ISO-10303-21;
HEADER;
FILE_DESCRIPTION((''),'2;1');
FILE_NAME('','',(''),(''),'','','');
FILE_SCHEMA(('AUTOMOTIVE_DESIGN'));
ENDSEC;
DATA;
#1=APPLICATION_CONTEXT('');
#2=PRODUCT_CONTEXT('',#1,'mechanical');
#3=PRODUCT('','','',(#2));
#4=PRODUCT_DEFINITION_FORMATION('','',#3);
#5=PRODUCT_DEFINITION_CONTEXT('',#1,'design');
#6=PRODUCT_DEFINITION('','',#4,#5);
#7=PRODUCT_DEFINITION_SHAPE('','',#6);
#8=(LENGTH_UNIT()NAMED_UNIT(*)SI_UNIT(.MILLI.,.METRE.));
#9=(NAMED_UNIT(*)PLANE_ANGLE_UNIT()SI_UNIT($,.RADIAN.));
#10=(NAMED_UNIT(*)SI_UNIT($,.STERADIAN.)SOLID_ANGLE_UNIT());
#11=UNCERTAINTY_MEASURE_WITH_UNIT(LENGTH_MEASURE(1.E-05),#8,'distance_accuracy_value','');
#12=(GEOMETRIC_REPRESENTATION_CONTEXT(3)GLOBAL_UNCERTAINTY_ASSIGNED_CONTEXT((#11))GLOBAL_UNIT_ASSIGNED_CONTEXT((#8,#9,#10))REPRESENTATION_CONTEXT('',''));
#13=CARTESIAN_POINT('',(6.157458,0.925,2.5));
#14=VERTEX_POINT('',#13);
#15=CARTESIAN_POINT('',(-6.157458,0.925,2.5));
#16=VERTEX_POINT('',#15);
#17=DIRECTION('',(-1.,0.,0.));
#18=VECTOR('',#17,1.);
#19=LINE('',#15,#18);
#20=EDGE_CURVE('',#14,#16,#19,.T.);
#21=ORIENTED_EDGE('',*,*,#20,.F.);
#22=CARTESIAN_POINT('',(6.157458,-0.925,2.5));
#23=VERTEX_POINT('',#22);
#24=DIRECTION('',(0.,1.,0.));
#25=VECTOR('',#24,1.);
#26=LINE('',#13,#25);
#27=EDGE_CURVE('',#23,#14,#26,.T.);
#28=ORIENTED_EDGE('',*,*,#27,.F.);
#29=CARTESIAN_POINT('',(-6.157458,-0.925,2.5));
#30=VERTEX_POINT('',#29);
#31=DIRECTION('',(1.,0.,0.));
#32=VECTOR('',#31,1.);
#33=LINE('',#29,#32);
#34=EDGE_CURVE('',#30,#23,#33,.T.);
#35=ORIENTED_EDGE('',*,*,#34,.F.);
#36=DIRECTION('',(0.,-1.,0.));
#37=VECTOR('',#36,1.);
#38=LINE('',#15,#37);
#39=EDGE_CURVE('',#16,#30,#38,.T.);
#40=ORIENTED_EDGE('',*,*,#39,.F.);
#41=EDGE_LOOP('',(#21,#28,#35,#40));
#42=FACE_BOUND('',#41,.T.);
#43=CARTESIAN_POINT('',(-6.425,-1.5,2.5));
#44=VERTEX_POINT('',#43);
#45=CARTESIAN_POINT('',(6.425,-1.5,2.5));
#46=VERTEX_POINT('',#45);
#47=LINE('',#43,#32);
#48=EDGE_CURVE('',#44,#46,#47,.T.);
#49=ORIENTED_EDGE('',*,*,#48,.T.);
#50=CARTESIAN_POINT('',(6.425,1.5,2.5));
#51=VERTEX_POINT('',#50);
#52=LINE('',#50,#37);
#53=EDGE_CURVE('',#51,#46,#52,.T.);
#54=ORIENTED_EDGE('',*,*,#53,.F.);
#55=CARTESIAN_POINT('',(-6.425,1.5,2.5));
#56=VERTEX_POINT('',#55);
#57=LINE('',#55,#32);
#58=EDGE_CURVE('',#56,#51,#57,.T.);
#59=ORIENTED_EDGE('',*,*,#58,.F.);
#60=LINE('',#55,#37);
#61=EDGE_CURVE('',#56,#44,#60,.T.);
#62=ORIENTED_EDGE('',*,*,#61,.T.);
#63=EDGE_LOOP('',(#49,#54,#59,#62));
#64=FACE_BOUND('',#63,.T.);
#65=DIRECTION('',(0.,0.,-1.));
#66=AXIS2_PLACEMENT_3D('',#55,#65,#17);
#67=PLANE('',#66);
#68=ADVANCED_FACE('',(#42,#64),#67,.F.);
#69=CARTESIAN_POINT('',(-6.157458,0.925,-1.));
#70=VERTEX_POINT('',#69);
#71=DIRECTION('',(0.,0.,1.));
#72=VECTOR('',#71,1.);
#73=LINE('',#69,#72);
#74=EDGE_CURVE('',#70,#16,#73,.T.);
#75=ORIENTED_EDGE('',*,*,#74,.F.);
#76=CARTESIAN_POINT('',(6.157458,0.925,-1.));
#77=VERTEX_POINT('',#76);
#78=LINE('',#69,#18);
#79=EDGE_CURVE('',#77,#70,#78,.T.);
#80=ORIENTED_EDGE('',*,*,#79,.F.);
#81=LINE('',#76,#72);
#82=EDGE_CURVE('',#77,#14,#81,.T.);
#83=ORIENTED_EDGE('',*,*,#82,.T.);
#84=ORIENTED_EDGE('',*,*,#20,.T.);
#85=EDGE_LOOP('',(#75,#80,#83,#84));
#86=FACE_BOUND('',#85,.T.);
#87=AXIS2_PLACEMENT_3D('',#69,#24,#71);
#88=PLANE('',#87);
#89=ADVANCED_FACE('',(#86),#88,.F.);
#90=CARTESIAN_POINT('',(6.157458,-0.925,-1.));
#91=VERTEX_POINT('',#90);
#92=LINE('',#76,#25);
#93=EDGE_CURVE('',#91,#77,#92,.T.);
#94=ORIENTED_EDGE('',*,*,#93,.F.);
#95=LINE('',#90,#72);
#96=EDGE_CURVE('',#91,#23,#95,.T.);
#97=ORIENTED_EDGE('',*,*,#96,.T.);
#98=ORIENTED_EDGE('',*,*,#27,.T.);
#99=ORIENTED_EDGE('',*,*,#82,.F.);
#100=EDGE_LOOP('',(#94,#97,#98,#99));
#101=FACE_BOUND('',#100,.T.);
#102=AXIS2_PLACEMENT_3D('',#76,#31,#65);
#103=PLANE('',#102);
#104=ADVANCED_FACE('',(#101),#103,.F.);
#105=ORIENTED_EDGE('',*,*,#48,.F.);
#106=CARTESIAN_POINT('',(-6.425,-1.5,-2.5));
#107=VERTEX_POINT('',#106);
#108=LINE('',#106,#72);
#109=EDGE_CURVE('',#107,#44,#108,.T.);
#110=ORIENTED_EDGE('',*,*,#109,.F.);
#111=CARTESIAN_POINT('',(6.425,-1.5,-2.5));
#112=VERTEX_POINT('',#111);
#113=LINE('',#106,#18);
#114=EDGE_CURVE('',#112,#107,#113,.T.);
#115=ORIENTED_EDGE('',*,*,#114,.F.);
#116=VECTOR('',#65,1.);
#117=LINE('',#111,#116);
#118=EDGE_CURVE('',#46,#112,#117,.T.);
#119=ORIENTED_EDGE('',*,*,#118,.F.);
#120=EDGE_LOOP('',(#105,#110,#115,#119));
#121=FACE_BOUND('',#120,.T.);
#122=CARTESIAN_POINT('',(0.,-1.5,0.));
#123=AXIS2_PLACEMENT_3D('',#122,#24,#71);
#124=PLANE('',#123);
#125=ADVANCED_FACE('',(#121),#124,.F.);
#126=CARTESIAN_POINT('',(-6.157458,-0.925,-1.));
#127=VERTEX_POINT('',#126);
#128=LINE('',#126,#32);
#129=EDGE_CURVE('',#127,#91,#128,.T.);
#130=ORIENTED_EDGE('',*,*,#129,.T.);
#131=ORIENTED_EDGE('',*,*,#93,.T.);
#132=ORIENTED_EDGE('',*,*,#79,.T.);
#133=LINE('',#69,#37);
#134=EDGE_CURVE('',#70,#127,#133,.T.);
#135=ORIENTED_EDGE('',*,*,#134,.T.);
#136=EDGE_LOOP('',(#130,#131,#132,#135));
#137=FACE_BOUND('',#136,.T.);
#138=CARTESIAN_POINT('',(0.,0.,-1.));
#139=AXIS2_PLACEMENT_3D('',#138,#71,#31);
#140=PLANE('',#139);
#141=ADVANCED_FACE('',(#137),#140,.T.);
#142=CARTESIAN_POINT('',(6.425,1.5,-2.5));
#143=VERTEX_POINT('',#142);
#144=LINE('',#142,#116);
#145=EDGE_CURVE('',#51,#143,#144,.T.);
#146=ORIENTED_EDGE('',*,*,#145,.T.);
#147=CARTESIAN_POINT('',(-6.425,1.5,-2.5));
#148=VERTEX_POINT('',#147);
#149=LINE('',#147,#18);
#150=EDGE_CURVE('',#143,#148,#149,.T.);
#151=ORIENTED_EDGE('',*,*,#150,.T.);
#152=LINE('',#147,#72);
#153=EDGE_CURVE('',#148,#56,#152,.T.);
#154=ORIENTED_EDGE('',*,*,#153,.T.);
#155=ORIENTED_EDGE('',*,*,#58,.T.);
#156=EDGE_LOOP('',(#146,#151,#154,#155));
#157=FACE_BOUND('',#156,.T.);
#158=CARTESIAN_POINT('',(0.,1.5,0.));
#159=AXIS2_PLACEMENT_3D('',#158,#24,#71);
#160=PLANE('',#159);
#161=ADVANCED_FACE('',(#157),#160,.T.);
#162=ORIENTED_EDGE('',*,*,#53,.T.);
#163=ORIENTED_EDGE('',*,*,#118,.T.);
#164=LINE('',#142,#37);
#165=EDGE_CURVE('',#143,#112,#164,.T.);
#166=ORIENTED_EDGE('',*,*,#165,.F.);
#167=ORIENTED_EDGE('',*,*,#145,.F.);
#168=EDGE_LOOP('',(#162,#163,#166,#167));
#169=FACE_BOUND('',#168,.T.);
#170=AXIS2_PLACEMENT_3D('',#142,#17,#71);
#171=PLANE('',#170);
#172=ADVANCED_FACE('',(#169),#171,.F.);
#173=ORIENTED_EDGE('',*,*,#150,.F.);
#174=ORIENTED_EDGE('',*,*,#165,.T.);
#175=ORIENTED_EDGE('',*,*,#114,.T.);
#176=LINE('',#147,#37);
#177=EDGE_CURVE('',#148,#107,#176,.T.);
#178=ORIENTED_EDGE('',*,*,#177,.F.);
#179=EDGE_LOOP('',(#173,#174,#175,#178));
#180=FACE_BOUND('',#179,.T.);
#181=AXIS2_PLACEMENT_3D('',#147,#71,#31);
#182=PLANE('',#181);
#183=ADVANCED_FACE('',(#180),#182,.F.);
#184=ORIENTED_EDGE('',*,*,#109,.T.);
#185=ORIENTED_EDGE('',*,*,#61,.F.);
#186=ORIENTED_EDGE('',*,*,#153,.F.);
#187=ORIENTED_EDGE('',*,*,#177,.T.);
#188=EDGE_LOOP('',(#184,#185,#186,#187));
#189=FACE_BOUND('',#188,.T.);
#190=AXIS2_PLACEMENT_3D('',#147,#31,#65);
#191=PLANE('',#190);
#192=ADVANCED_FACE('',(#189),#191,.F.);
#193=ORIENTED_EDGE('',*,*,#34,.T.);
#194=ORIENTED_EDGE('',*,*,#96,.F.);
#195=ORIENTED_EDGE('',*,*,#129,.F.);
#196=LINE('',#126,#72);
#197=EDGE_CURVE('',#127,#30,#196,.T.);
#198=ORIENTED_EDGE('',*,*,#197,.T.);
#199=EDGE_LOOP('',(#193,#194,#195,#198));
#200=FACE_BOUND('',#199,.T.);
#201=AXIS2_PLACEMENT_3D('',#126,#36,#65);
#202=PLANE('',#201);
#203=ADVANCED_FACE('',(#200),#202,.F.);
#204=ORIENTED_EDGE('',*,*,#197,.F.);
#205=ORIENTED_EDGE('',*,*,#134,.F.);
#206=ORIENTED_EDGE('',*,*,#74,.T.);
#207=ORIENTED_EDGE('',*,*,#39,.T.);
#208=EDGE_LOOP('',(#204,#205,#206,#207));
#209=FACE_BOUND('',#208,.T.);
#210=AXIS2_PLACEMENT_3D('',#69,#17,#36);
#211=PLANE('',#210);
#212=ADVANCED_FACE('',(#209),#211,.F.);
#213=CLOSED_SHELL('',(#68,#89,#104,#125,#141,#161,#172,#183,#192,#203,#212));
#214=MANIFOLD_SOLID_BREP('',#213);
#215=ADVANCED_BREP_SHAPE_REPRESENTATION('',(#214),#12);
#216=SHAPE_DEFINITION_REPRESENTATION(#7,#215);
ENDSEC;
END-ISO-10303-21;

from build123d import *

# Parameters (mm, degrees)
SKETCH1_W           = 12.85
SKETCH1_H           = 5
BOSS_EXTRUDE1_DEPTH = 1.5
SKETCH3_W           = 12.31491511
SKETCH3_H           = 1.85
CUT_EXTRUDE1_DEPTH  = 3.5


with BuildPart() as part:
    # Sketch1 → Boss-Extrude1 (new body, symmetric)
    with BuildSketch(Plane(origin=(0, 0, 0), x_dir=(1, 0, 0), z_dir=(0, 1, 0))):
        Rectangle(SKETCH1_W, SKETCH1_H)
    extrude(amount=BOSS_EXTRUDE1_DEPTH, both=True)

    # Sketch3 → Cut-Extrude1 (cut)
    with BuildSketch(Plane.XY.offset(2.5)):
        Rectangle(SKETCH3_W, SKETCH3_H)
    extrude(amount=-CUT_EXTRUDE1_DEPTH, mode=Mode.SUBTRACT)


solid = part.part
